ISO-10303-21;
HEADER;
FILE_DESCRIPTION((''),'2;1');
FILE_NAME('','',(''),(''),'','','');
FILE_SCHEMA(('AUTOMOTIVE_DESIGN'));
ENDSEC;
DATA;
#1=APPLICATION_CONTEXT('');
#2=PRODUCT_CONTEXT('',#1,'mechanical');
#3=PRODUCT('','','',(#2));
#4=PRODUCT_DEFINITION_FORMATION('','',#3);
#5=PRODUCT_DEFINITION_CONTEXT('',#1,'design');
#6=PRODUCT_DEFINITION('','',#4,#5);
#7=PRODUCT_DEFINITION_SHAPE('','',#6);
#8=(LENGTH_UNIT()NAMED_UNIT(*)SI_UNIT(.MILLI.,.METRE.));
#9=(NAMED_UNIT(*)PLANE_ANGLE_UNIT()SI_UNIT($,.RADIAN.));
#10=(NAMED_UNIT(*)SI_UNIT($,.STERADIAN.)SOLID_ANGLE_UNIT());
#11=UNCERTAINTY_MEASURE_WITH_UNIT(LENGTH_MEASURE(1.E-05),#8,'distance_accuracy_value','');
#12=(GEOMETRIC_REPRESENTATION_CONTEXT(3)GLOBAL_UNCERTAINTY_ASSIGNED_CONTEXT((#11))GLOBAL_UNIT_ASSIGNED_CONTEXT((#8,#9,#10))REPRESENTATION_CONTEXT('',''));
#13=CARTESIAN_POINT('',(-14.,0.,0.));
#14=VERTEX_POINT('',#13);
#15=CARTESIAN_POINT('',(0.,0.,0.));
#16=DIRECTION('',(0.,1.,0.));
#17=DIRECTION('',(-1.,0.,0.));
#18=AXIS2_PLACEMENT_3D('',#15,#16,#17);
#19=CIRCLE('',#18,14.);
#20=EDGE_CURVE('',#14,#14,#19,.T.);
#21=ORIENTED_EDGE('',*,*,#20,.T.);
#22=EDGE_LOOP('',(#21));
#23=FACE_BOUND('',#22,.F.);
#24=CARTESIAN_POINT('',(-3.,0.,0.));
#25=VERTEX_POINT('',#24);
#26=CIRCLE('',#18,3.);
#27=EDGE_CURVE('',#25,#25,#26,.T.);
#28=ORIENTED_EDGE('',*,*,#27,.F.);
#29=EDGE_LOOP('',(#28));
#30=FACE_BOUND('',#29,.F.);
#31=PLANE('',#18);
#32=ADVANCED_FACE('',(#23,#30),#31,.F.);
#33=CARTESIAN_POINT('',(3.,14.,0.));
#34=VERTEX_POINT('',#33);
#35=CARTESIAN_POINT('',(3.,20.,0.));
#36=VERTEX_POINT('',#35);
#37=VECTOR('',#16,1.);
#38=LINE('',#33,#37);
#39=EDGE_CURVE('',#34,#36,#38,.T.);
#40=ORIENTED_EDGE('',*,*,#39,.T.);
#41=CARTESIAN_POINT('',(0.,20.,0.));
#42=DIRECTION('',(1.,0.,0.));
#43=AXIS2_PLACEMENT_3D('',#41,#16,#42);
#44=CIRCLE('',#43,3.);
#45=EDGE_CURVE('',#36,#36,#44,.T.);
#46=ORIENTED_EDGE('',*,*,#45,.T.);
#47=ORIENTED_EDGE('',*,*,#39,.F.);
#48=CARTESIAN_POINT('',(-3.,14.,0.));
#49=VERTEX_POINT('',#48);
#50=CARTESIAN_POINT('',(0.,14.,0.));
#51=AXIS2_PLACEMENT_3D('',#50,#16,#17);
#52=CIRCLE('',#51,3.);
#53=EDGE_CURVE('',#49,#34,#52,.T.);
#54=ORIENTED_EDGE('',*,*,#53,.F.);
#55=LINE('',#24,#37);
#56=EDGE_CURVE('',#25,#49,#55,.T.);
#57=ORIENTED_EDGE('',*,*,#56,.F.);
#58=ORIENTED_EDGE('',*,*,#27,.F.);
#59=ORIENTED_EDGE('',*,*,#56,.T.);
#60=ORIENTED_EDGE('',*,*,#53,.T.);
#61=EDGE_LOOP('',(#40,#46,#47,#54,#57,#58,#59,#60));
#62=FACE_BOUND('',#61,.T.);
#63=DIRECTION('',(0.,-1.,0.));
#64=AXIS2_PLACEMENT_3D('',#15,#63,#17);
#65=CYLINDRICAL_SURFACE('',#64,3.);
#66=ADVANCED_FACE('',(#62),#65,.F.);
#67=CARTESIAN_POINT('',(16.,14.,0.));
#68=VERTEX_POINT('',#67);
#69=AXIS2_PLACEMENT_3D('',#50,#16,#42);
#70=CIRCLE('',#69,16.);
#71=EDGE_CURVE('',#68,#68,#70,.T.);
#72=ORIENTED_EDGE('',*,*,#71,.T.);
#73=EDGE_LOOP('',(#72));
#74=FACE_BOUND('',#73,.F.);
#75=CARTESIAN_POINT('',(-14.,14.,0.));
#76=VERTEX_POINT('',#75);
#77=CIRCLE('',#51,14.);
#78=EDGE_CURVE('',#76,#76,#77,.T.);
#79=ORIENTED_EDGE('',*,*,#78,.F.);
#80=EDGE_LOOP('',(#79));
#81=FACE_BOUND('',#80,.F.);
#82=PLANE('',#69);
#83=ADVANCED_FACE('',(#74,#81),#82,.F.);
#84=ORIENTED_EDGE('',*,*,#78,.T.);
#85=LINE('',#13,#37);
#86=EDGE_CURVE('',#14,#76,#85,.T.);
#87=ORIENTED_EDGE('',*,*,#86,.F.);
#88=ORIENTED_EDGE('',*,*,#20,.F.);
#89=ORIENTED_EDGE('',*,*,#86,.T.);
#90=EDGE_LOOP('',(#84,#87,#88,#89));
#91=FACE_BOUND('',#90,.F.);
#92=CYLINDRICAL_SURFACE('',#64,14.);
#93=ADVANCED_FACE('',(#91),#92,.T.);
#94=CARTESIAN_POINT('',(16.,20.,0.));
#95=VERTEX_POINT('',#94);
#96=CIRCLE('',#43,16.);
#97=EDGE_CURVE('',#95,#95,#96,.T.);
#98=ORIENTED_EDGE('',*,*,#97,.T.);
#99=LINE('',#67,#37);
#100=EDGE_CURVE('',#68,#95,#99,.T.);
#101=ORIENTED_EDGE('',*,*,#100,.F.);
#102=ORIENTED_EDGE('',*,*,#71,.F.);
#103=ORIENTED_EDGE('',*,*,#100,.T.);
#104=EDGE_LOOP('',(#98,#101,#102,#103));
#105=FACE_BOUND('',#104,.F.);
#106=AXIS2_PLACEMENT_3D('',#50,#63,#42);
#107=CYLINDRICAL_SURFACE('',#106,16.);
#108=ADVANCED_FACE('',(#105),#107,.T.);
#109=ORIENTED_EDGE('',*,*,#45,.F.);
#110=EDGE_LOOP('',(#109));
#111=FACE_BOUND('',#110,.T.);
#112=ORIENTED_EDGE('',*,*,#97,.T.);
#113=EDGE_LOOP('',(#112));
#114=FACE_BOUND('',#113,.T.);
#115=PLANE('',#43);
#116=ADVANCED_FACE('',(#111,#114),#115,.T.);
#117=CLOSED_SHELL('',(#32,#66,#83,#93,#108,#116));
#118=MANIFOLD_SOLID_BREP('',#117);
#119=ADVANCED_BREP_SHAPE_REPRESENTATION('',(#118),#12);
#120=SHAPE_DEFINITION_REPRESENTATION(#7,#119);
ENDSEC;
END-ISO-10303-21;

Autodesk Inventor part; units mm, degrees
ref_plane "YZ Plane" through (0, 0, 0) normal (1, 0, 0) x (0, 1, 0)
ref_plane "XZ Plane" through (0, 0, 0) normal (0, 1, 0) x (-1, 0, 0)
ref_plane "XY Plane" through (0, 0, 0) normal (0, 0, 1) x (1, 0, 0)
sketch "スケッチ1" plane through (0, 0, 0) normal (0, 1, 0) x (-1, 0, 0)
  circle A0 centre (0, 0) radius 3
  circle A1 centre (0, 0) radius 14
  dimension "d0" = 6
  dimension "d1" = 28
extrude "押し出し1" add sketch "スケッチ1" along normal blind 14
sketch "スケッチ2" plane through (0, 14, 0) normal (0, 1, 0) x (1, 0, 0)
  circle A0 centre (0, 0) radius 3 projected
  circle A1 centre (0, 0) radius 14 projected
  circle A2 centre (0, 0) radius 16
  dimension "d4" = 32
extrude "押し出し2" add sketch "スケッチ2" along normal blind 6 contours A1 | A2
properties part number "知能ロボコン"
